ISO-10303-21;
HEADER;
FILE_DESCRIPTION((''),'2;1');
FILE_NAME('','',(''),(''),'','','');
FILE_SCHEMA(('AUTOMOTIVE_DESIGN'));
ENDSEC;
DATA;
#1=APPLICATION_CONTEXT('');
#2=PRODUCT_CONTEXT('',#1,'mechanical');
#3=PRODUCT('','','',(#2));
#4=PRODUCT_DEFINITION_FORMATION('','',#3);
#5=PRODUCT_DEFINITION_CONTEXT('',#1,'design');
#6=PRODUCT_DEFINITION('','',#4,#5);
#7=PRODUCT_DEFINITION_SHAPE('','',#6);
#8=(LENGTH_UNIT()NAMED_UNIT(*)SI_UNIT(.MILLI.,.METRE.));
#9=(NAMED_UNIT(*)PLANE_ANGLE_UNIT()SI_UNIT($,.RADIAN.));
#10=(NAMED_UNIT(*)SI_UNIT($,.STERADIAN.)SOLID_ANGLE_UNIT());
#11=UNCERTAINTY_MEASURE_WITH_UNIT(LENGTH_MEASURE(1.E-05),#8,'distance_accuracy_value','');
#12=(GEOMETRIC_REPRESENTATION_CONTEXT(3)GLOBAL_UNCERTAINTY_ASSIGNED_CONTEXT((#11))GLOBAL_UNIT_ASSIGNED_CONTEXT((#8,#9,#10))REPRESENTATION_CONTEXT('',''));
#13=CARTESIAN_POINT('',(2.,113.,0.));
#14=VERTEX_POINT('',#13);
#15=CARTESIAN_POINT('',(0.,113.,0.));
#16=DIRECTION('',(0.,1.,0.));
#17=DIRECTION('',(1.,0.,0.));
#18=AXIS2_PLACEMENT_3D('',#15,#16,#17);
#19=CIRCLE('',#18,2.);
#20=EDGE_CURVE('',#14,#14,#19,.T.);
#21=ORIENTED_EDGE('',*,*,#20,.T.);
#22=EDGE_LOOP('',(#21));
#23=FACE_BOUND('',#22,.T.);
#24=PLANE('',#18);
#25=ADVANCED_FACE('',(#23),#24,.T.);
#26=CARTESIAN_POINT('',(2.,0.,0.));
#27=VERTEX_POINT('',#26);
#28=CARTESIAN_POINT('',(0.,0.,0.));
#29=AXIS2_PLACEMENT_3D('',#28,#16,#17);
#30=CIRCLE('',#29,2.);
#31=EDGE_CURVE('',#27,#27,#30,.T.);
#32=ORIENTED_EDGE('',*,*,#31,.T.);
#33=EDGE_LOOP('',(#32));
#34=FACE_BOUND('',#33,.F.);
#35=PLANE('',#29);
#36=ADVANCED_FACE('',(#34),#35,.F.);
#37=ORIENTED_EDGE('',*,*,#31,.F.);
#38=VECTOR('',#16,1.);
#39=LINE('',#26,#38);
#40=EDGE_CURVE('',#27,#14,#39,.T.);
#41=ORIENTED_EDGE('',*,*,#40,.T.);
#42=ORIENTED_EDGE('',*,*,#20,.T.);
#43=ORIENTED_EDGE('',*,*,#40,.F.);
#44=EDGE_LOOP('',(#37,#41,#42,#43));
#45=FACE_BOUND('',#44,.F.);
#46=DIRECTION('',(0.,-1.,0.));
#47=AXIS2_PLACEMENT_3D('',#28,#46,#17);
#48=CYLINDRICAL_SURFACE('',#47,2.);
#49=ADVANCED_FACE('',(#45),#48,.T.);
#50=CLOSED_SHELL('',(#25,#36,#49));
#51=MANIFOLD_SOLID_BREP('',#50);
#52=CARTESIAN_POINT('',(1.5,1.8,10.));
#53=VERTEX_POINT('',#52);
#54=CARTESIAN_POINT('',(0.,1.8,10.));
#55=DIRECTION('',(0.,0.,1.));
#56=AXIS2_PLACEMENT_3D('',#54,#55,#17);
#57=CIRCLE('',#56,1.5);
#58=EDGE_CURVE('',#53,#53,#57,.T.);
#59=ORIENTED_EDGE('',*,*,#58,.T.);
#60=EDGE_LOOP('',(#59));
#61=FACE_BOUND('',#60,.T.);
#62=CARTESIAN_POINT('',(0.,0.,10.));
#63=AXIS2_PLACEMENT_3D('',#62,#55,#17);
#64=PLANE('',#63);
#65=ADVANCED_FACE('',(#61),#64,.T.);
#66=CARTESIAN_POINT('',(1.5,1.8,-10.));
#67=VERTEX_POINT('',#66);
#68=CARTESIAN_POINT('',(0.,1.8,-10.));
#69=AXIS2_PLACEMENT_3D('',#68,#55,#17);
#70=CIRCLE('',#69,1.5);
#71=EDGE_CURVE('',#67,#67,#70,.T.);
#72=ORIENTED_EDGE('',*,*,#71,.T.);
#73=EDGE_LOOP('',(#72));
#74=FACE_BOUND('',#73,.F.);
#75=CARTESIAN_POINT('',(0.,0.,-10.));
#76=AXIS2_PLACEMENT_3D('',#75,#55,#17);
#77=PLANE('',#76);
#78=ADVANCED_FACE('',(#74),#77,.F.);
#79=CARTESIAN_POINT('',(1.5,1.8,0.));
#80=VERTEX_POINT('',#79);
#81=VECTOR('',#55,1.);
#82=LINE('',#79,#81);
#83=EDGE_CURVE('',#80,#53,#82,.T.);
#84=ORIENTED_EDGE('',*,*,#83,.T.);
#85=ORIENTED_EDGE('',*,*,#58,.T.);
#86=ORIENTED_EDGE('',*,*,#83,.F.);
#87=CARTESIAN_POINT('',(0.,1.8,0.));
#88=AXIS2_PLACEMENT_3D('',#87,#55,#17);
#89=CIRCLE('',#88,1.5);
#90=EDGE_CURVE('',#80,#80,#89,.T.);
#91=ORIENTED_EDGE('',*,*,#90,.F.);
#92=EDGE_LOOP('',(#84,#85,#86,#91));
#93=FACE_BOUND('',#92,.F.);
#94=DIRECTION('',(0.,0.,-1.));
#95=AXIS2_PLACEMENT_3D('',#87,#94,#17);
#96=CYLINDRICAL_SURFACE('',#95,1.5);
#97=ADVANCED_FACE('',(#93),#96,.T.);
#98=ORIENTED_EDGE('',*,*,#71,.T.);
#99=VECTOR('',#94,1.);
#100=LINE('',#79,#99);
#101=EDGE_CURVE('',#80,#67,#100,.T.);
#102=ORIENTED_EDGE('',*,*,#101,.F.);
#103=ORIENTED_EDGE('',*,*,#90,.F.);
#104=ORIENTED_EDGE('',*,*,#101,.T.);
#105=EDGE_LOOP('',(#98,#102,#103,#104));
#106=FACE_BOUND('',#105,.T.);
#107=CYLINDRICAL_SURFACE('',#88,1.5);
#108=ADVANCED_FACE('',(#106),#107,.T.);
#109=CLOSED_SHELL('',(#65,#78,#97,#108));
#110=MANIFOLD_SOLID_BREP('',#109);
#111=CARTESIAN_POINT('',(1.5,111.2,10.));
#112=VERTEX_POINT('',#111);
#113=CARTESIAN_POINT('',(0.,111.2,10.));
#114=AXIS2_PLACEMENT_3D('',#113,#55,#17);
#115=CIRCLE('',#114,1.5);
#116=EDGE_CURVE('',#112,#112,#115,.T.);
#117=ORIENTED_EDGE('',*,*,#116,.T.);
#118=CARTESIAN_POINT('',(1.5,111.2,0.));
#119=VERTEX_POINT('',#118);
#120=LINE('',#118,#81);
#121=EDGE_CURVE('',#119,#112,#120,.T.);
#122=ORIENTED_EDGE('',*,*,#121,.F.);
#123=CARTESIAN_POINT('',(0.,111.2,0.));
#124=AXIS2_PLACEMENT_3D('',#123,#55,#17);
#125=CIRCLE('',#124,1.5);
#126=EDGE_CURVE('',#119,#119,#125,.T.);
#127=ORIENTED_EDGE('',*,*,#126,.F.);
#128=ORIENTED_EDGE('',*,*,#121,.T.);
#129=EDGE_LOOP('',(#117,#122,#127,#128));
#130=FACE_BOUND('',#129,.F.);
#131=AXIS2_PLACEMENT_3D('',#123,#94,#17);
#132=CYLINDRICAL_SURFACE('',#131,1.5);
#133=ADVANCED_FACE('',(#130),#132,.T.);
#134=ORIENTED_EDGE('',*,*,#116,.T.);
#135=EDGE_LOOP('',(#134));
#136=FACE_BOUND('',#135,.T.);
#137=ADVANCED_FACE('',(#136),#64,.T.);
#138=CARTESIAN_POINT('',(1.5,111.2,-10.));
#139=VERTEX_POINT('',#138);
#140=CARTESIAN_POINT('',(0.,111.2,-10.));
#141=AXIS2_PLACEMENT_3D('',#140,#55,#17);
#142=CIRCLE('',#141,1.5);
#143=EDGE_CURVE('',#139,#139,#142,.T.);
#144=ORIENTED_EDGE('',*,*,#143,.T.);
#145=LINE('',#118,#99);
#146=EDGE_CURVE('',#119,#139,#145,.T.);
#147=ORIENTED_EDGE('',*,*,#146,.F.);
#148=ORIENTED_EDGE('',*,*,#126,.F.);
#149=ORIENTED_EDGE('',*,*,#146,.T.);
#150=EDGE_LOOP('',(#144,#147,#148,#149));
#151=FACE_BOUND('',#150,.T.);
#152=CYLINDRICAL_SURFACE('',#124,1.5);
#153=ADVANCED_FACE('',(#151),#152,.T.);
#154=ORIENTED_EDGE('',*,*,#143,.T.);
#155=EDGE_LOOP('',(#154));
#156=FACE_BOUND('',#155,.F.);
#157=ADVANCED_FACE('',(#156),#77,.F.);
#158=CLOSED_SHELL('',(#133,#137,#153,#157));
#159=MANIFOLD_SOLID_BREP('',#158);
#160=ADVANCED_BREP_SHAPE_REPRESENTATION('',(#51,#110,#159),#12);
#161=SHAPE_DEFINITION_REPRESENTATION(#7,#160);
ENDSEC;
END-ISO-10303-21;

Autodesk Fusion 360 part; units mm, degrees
sketch "Sketch1" plane through (0, 0, 0) normal (0, 1, 0) x (1, 0, 0)
  circle A0 centre (0, 0) radius 2
  dimension "d5" = 4
extrude "Extrude1" add sketch "Sketch1" along normal blind 113 makes body 1
sketch "Sketch2" plane through (0, 0, 0) normal (0, 0, 1) x (1, 0, 0)
  circle A0 centre (0, 1.8) radius 1.5
  circle A1 centre (0, 111.2) radius 1.5
  line L0 (2, 113) -> (-2, 113)
  dimension "d9" = 3
  dimension "d10" = 3
  dimension "d15" = 1.8
  dimension "d16" = 1.8
extrude "Extrude2" add sketch "Sketch2" along normal mid plane 20 separate body contours A1 makes body 2
extrude "Extrude3" add sketch "Sketch2" along normal mid plane 20 separate body contours A0 makes body 3
equation "length = 113 mm"
equation "radius = 2 mm"
equation "cup_little_bone_radius = 1.5 mm"
equation "cup_little_bone_length = 20 mm"
equation "d5 = radius * 2"
equation "edge_cup_little_bone_distance = 1.8 mm"
equation "d7 = length"
equation "d9 = cup_little_bone_radius * 2"
equation "d10 = cup_little_bone_radius * 2"
equation "d11 = cup_little_bone_length / 2"
equation "d13 = cup_little_bone_length / 2"
equation "d15 = edge_cup_little_bone_distance"
equation "d16 = edge_cup_little_bone_distance"
